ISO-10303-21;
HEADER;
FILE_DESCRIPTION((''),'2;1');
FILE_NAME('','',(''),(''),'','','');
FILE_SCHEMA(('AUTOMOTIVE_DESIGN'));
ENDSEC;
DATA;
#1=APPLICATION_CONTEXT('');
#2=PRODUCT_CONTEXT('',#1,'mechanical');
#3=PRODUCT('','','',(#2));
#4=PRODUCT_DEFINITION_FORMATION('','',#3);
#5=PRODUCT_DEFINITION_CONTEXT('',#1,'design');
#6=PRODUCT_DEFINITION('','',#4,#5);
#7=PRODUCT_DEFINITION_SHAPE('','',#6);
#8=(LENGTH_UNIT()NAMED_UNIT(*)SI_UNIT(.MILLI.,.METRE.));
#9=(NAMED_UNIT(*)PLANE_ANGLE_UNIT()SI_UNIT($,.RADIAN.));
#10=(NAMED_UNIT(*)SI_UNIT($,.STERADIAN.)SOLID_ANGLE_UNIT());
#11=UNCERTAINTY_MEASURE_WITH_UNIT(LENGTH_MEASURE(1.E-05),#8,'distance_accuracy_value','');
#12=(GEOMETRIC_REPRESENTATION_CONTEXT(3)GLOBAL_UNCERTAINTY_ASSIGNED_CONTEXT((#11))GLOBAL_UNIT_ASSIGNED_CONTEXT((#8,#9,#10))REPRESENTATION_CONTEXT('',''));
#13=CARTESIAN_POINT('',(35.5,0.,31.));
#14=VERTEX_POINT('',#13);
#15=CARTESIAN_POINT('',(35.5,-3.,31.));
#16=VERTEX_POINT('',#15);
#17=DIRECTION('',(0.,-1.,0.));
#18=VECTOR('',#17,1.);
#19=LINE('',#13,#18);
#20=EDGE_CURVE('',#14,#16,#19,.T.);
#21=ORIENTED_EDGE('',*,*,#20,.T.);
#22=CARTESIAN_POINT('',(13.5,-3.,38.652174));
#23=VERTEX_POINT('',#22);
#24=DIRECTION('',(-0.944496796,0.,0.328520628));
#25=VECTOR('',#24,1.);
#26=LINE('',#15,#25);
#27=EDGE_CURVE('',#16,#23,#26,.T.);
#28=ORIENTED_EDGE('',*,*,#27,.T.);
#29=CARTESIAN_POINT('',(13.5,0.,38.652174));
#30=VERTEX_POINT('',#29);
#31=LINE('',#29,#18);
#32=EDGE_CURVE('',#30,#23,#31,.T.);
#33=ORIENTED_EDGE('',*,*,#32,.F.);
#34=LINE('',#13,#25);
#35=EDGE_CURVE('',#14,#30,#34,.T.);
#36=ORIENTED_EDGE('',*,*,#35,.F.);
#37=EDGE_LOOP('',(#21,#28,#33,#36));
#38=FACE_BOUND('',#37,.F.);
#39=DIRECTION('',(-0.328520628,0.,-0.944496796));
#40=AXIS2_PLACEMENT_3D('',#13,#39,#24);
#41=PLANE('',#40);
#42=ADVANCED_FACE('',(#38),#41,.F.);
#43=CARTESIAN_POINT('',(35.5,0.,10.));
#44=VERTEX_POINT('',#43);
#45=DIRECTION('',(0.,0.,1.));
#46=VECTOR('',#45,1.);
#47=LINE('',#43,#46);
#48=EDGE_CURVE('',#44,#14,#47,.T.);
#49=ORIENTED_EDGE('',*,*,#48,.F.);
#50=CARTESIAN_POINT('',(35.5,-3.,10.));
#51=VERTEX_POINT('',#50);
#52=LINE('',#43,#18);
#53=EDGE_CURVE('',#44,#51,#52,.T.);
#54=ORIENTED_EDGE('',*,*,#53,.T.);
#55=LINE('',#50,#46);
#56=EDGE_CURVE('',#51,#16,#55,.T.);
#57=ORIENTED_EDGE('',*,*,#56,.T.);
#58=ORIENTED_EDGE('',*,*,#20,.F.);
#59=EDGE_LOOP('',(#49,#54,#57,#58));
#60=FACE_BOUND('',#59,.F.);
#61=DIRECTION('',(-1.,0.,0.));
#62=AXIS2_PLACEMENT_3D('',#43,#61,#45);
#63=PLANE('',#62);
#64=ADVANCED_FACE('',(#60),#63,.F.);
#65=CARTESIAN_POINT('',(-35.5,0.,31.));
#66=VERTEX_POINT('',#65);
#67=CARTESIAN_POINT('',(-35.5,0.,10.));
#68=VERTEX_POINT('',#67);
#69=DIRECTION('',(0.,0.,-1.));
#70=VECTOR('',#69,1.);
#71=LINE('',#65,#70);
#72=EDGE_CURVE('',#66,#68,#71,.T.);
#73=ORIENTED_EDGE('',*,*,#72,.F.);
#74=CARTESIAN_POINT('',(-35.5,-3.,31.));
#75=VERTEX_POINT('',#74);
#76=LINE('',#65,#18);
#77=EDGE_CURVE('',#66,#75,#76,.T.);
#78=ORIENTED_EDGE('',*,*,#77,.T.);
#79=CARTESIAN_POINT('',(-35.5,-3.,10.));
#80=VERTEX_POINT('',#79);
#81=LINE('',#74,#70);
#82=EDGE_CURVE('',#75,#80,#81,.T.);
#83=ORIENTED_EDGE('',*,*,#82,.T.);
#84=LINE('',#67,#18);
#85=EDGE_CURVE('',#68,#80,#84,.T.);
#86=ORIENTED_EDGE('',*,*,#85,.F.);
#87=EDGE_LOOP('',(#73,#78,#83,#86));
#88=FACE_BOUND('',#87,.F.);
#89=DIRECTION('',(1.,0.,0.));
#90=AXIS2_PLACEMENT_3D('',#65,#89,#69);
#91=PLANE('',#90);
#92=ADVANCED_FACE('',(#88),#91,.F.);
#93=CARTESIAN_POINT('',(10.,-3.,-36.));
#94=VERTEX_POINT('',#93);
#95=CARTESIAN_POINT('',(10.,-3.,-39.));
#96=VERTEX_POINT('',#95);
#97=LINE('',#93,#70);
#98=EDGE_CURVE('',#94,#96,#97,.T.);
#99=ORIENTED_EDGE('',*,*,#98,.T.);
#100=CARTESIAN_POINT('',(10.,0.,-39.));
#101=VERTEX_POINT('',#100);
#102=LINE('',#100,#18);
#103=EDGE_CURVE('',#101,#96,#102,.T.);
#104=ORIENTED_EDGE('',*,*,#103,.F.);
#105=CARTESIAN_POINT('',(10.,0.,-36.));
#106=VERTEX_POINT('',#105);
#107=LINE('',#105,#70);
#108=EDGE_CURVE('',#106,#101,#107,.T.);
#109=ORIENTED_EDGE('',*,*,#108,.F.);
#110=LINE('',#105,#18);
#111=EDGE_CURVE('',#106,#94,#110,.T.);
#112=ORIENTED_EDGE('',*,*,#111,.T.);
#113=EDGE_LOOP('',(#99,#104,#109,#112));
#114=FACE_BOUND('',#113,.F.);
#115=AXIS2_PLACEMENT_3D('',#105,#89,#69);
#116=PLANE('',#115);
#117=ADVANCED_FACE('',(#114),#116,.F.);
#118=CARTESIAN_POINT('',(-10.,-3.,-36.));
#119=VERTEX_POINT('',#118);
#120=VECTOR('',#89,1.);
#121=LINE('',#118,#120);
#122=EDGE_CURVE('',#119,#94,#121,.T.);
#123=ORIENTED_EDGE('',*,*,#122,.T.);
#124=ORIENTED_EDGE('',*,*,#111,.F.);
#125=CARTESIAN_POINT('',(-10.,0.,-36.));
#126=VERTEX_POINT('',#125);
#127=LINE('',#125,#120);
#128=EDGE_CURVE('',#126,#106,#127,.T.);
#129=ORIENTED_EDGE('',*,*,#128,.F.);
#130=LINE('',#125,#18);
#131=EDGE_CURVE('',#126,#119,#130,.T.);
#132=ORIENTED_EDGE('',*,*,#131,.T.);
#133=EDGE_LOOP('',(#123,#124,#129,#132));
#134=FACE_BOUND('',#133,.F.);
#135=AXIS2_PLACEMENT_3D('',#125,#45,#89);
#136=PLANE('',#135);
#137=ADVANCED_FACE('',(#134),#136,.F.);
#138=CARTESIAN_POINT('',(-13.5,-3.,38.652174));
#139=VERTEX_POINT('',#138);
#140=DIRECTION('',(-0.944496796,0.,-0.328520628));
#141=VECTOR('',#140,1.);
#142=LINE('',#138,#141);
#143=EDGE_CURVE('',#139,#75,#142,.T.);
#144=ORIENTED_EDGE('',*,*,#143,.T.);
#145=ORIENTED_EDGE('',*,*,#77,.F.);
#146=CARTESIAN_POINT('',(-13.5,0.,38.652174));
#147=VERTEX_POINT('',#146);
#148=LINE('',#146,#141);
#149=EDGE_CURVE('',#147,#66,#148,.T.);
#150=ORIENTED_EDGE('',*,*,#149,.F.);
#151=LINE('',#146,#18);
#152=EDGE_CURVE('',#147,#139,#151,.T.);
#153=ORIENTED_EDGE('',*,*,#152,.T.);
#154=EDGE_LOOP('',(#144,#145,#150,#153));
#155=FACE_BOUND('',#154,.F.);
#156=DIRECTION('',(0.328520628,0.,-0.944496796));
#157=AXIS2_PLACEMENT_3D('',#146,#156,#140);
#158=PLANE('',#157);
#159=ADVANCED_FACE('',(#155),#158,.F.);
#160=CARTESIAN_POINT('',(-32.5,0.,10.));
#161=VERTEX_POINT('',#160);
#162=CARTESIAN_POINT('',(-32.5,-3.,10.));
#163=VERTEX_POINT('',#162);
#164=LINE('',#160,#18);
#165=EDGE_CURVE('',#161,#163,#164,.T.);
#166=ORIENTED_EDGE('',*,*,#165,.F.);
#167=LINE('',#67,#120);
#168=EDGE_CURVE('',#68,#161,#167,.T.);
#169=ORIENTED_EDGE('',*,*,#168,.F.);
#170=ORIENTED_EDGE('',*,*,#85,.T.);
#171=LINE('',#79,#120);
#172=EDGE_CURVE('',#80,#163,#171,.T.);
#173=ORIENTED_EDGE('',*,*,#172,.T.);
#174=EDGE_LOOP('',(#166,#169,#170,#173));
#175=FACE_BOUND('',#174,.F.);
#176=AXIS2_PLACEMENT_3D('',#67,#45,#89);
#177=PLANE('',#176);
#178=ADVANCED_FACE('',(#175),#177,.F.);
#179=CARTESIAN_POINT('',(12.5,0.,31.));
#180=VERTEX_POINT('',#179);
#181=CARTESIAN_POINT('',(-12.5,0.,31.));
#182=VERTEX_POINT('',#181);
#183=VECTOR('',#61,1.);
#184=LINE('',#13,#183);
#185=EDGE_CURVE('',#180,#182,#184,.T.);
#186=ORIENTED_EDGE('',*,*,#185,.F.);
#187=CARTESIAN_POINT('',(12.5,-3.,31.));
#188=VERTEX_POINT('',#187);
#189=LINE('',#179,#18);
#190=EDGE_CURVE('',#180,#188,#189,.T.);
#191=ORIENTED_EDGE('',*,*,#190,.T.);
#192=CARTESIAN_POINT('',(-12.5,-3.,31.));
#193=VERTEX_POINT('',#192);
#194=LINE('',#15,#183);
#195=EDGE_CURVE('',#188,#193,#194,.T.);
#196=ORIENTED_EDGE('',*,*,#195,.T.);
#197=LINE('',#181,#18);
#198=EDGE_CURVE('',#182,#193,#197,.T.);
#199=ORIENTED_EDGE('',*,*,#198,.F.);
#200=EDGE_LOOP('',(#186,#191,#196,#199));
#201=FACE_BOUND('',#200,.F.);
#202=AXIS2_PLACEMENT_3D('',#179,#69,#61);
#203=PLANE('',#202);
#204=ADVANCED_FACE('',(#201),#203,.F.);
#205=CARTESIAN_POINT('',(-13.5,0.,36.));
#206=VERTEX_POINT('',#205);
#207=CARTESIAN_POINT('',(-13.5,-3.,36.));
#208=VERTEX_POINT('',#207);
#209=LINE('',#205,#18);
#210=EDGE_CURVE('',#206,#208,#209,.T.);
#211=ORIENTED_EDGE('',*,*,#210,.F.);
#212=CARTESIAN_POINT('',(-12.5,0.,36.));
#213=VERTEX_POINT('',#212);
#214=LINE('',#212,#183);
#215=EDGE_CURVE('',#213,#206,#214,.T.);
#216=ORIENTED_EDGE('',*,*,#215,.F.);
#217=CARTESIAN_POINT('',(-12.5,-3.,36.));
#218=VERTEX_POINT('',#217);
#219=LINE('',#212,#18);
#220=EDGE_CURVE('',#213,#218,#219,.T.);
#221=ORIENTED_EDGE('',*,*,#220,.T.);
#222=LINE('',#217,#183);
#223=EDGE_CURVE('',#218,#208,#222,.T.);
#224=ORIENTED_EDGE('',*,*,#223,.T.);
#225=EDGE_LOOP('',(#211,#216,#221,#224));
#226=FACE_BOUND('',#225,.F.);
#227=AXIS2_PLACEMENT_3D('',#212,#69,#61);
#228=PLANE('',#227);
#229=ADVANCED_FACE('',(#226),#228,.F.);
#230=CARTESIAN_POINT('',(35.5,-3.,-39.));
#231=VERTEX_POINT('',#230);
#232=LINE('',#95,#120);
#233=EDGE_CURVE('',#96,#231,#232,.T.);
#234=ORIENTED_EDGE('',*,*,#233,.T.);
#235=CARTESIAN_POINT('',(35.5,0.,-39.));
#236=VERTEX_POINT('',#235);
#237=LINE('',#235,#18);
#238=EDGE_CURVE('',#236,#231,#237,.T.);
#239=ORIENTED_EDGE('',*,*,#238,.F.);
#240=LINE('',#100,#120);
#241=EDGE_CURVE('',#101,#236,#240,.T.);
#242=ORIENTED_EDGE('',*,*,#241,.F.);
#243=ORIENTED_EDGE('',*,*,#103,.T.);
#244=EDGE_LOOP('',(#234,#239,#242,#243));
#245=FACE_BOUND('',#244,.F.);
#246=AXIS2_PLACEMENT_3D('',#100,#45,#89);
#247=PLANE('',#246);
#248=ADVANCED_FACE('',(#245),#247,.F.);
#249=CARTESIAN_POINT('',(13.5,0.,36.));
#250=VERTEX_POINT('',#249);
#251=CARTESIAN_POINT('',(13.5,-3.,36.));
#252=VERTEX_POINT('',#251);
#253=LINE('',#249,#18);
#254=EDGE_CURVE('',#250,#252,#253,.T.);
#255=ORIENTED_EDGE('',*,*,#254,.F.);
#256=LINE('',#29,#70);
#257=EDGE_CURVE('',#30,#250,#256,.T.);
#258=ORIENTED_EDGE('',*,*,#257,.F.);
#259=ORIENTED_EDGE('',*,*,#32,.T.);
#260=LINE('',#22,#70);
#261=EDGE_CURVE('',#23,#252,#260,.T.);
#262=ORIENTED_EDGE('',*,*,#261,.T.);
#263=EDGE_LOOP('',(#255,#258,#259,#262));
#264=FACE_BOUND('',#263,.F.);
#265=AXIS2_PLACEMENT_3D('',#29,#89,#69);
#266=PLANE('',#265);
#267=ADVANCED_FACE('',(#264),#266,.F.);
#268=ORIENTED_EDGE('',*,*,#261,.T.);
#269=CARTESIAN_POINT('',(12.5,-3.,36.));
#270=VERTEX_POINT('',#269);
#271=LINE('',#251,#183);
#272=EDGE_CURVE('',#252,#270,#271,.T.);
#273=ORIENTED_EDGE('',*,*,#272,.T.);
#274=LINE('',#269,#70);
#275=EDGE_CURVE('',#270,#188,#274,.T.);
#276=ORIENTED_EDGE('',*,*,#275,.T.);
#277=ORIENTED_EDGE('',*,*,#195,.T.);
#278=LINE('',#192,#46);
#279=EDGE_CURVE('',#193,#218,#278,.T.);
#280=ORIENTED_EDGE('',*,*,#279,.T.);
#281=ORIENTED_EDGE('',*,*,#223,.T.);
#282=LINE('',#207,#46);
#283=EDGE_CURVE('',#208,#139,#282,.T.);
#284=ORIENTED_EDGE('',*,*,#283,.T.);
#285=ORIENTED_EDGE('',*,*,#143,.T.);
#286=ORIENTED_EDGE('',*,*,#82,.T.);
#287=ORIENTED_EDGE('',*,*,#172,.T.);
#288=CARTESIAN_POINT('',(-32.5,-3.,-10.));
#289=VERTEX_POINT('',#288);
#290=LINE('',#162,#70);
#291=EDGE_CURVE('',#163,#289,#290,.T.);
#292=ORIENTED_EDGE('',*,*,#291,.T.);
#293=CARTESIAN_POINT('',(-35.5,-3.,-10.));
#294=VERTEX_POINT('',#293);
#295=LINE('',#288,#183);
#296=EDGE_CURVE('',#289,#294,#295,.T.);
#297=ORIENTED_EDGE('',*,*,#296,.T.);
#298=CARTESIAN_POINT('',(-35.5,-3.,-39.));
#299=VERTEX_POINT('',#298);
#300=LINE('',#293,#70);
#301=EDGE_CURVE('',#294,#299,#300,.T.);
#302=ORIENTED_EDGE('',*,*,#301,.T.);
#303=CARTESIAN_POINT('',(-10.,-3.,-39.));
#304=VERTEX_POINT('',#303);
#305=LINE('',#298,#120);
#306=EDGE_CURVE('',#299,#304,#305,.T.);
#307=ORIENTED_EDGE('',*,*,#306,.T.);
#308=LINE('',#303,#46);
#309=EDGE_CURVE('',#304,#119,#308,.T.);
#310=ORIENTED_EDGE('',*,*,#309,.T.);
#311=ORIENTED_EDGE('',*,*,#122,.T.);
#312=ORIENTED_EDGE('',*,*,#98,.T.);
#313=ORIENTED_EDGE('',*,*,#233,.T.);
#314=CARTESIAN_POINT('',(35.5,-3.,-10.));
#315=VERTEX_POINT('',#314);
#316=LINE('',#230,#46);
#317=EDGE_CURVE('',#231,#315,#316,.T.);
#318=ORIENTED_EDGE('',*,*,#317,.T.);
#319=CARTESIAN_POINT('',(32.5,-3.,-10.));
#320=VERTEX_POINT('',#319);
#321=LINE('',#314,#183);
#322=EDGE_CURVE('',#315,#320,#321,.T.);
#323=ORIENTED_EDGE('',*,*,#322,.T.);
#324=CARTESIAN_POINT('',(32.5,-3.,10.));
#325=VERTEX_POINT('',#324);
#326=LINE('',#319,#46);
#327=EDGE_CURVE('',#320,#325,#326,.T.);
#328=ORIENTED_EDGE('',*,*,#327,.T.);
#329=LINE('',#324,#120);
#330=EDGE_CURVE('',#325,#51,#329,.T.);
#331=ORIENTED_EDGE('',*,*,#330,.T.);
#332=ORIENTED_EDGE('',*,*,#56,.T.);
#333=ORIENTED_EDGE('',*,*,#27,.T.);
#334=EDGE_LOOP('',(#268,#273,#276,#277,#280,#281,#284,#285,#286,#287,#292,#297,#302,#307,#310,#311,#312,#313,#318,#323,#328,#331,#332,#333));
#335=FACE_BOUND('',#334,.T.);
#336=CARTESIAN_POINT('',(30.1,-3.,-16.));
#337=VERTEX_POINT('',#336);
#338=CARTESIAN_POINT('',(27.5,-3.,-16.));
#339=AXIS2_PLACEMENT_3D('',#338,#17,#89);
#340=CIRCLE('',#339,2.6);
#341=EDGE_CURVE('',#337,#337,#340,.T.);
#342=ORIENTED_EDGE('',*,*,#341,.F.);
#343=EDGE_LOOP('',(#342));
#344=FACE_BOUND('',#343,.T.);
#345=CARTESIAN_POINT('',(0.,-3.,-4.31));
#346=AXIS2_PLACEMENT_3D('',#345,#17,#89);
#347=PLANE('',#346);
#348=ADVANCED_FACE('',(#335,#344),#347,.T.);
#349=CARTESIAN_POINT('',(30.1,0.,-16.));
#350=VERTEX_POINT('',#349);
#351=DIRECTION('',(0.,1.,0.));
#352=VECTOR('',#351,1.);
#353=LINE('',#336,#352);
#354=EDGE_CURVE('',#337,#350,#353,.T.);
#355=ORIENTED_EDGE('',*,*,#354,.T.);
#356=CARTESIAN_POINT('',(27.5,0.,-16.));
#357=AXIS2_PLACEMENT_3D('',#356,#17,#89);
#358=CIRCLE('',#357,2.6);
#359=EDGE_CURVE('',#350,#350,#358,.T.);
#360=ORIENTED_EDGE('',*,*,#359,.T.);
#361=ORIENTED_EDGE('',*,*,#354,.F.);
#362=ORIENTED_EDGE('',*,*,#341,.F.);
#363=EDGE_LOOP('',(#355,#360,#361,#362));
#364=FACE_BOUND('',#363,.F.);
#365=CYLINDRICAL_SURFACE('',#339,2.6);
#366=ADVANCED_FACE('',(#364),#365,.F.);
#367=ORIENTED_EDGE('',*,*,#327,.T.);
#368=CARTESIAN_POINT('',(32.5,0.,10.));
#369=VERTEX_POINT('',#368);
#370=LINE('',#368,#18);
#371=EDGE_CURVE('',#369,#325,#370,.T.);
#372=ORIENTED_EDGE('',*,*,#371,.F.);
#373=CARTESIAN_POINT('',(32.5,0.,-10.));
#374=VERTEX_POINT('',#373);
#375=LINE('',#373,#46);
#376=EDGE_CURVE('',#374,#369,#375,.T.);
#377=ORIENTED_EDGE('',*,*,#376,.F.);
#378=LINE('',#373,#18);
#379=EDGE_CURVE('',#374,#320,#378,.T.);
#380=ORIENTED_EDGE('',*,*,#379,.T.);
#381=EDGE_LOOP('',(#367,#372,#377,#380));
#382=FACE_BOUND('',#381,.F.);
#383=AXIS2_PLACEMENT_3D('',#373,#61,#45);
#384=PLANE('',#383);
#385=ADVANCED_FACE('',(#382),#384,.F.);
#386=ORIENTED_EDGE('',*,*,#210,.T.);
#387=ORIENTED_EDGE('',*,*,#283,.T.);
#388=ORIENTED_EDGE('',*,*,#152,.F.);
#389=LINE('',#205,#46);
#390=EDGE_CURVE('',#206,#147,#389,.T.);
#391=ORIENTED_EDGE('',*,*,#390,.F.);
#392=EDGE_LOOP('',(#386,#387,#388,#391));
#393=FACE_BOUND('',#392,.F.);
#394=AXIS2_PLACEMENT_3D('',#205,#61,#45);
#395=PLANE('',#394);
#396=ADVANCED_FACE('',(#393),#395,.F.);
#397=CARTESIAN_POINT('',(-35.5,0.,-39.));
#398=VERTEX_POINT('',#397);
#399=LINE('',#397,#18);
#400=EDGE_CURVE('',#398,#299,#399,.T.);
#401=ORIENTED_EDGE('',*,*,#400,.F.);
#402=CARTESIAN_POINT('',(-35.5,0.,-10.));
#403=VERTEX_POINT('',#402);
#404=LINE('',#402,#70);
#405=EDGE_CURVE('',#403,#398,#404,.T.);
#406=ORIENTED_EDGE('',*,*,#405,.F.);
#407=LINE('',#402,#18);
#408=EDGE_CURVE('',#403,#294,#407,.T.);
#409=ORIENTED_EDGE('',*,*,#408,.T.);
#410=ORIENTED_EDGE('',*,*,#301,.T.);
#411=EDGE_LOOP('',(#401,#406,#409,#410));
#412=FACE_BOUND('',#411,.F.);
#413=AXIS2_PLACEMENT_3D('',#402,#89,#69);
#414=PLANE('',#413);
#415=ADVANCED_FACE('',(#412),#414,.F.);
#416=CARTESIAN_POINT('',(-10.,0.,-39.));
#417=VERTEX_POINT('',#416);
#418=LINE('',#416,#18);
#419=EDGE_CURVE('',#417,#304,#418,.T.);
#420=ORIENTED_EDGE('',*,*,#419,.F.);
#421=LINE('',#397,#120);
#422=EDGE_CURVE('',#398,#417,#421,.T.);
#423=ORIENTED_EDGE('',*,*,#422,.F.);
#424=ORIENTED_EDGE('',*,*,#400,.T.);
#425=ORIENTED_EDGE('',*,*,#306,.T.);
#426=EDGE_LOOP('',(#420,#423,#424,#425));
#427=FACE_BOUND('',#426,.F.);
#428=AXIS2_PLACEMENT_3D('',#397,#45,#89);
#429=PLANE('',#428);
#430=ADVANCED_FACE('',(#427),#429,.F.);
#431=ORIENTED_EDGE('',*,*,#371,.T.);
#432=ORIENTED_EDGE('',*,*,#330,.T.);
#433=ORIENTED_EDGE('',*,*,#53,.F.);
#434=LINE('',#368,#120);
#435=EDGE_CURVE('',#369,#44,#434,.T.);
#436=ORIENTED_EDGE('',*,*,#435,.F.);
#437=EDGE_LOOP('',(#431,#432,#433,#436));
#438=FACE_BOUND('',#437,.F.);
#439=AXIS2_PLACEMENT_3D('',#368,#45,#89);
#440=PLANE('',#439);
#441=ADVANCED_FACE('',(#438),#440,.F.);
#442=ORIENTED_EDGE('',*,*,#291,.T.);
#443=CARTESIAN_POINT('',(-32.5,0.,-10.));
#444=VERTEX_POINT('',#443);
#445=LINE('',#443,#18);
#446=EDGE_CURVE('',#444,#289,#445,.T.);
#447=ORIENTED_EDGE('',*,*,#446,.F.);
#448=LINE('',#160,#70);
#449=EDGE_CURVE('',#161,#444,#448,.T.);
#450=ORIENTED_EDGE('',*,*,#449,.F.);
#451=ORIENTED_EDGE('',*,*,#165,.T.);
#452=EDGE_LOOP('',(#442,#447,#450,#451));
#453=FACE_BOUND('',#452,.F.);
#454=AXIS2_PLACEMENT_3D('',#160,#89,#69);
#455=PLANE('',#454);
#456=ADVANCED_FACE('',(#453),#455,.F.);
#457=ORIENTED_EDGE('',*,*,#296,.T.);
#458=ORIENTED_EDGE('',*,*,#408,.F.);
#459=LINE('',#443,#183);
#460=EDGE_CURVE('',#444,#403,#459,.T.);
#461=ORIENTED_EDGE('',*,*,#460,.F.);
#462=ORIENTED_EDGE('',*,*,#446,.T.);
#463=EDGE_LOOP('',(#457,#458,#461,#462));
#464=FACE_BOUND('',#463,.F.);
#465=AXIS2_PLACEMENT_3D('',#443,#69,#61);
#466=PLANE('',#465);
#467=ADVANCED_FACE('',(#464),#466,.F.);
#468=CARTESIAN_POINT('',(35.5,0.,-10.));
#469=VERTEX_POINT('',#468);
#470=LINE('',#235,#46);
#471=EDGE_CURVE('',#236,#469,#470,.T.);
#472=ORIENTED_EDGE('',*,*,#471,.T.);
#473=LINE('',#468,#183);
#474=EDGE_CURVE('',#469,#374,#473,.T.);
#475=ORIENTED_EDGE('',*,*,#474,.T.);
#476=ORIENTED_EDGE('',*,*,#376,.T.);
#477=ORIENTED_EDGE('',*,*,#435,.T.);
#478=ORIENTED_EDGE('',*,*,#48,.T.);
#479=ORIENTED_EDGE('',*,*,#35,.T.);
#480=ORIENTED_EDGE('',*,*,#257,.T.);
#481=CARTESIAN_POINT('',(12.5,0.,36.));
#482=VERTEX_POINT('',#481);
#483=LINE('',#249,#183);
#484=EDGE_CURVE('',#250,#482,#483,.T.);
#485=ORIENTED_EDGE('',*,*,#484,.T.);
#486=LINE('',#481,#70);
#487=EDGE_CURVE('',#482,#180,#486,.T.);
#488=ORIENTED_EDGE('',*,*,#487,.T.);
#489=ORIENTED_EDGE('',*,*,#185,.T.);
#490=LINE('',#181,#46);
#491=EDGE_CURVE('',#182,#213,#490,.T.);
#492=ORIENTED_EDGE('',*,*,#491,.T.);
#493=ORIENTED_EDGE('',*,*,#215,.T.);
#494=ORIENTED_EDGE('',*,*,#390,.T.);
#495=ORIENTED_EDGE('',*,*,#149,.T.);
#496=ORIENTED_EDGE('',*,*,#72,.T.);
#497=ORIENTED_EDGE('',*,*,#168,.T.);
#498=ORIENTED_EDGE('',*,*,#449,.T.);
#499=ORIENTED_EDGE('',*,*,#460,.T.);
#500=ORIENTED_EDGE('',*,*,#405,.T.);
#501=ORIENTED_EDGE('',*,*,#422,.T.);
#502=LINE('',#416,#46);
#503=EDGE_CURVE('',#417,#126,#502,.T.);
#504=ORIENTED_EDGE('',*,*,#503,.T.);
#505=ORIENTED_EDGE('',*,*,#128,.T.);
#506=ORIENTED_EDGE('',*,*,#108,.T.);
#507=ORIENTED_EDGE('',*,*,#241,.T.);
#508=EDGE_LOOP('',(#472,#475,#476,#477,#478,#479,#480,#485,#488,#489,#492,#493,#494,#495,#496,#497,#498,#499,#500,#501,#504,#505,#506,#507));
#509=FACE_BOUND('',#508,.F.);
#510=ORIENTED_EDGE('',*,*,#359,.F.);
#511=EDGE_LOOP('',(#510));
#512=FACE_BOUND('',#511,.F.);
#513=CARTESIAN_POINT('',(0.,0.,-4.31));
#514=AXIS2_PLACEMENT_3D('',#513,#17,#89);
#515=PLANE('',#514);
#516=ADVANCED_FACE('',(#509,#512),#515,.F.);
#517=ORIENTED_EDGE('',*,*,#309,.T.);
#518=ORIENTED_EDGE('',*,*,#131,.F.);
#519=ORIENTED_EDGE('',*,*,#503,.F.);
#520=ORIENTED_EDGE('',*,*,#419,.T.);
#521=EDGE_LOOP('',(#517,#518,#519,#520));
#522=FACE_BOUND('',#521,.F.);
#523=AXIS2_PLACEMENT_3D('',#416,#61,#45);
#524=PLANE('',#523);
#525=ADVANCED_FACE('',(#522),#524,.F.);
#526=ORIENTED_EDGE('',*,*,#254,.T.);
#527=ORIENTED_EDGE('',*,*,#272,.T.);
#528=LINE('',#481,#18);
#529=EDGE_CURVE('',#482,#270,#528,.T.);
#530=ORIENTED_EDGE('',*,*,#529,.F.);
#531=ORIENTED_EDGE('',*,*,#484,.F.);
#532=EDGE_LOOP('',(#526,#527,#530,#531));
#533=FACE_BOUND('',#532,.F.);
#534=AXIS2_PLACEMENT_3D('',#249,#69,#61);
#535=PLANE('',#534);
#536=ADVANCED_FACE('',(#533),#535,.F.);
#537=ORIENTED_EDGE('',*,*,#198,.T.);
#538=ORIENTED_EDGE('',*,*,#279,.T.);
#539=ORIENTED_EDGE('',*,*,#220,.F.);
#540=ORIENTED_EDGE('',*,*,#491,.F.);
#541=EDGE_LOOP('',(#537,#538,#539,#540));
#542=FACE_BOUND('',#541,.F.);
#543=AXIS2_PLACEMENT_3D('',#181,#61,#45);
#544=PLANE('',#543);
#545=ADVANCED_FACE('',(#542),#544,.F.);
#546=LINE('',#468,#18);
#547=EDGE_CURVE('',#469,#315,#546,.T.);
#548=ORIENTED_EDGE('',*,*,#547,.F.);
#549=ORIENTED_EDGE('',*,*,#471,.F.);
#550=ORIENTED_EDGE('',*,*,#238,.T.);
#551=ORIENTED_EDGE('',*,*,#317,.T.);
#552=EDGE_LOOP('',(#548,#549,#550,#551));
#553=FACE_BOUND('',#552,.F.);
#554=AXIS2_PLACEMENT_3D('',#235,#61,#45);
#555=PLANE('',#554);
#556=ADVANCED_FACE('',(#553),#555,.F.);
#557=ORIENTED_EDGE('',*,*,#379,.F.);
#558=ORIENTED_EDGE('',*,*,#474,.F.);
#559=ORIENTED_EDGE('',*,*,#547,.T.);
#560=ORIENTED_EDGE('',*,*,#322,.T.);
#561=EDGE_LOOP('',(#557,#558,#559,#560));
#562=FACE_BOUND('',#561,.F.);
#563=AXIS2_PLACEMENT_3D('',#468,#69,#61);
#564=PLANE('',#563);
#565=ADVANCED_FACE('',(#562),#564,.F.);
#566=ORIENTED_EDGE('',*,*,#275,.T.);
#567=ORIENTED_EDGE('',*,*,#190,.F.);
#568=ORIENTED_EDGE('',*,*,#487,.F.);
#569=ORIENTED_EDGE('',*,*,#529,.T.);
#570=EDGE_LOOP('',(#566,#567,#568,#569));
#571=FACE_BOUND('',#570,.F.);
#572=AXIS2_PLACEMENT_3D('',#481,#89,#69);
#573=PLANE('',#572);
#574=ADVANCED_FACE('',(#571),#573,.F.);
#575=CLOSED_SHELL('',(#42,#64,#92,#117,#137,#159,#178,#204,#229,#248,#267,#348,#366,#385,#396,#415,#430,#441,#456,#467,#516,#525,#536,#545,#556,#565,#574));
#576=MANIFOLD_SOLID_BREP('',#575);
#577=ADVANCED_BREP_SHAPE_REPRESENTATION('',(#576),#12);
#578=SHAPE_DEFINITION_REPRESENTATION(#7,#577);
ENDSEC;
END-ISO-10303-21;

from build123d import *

# Parameters (mm, degrees)
F1_DEPTH = 3
F2_R     = 2.6
F3_DEPTH = 25


with BuildPart() as f1:
    # F0 (on Front) → F1 (new body)
    with BuildSketch(Plane.XZ):
        Polygon((-12.5, 31), (-35.5, 31), (-35.5, 10), (-32.5, 10), (-32.5, -10), (-35.5, -10), (-35.5, -39), (-10, -39), (-10, -36), (10, -36), (10, -39), (35.5, -39), (35.5, -10), (32.5, -10), (32.5, 10), (35.5, 10), (35.5, 31), (12.5, 31), align=None)
        Polygon((-13.5, 38.652174), (-35.5, 31), (-12.5, 31), (-12.5, 36), (-13.5, 36), align=None)
        Polygon((12.5, 36), (12.5, 31), (35.5, 31), (13.5, 38.652174), (13.5, 36), align=None)
    extrude(amount=F1_DEPTH)

    # F2 (on face) → F3 (cut)
    with BuildSketch(Plane.XZ.offset(3)):
        with Locations((27.5, -16)):
            Circle(F2_R)
    extrude(amount=-F3_DEPTH, mode=Mode.SUBTRACT)


solid = f1.part
